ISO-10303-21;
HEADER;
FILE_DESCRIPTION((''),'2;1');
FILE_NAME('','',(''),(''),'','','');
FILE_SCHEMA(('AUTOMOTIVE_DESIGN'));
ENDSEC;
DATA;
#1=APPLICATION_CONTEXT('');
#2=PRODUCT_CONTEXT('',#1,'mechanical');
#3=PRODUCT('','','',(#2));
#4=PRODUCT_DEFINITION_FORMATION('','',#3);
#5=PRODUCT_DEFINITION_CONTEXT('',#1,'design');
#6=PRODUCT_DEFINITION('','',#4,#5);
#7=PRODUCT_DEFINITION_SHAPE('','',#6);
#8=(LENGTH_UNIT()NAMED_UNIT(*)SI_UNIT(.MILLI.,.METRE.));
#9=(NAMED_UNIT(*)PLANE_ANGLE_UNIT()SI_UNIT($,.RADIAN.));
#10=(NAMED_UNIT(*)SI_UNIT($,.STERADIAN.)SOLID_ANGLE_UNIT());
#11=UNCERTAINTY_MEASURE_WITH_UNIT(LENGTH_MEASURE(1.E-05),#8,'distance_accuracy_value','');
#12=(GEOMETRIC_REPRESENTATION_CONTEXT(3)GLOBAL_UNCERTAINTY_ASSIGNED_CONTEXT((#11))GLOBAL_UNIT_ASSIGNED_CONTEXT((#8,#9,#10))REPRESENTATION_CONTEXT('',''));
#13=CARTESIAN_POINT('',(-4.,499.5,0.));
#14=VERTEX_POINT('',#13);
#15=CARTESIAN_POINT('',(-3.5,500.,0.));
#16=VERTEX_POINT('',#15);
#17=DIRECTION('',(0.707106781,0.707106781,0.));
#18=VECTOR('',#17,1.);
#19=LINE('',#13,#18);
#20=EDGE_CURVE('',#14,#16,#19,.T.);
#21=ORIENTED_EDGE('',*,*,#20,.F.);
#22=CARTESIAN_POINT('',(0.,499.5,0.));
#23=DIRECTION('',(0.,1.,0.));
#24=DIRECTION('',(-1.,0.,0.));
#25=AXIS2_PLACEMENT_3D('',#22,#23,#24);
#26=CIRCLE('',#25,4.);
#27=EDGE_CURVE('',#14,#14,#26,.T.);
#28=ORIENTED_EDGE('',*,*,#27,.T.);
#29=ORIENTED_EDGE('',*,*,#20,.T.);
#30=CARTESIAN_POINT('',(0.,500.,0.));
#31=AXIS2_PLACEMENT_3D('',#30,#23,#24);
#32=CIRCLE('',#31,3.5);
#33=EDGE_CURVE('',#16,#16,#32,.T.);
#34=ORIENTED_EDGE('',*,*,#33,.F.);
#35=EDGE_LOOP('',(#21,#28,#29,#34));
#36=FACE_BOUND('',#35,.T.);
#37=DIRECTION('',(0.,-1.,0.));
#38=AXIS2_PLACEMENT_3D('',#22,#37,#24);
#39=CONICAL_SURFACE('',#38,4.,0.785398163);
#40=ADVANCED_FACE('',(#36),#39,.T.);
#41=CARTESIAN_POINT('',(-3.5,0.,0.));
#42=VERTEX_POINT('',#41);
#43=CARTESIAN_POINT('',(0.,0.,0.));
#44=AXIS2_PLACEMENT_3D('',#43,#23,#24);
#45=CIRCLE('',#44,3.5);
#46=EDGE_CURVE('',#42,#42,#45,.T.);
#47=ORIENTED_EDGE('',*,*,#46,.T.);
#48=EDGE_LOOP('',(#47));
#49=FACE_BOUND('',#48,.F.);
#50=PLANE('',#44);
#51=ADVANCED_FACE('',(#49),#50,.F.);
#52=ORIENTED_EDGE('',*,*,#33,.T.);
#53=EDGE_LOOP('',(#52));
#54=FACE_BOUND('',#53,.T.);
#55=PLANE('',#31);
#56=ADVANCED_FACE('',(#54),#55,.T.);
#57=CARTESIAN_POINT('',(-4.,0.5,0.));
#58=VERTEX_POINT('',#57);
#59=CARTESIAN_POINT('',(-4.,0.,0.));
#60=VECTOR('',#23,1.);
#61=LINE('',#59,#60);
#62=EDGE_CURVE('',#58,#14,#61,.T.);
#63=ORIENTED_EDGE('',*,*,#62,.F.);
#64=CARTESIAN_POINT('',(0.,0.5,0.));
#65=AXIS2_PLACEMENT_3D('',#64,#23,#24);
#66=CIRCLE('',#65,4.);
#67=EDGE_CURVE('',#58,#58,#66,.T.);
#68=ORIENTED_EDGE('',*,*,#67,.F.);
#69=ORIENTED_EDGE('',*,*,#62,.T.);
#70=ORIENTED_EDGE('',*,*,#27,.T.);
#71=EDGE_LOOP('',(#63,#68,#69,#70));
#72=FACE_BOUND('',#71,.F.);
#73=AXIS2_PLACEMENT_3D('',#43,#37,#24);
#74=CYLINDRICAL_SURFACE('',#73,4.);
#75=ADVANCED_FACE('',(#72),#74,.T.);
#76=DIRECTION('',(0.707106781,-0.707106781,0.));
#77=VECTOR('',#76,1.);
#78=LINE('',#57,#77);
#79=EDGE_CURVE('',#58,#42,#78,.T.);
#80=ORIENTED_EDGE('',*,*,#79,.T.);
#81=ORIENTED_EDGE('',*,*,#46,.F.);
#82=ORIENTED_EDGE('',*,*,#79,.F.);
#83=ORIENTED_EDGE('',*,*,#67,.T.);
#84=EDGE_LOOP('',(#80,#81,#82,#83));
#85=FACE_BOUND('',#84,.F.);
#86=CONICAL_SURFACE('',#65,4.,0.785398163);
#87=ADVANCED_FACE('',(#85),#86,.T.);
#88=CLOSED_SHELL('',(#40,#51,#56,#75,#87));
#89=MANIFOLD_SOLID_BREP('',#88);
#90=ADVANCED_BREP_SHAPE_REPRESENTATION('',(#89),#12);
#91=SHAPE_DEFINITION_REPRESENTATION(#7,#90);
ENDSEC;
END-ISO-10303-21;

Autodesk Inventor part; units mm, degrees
ref_plane "YZ Plane" through (0, 0, 0) normal (1, 0, 0) x (0, 1, 0)
ref_plane "XZ Plane" through (0, 0, 0) normal (0, 1, 0) x (-1, 0, 0)
ref_plane "XY Plane" through (0, 0, 0) normal (0, 0, 1) x (1, 0, 0)
sketch "Sketch1" plane through (0, 0, 0) normal (0, 1, 0) x (-1, 0, 0)
  circle A0 centre (0, 0) radius 4
  dimension "d0" = 8
extrude "Extrusion1" add sketch "Sketch1" along normal blind 500
chamfer "Chamfer1" distance 0.5 angle 45 2 edges at (4, 0, 0) (4, 500, 0)
properties part number "Linear Rod 8mm x 500mm" material "Nickel-Copper Alloy 400"
